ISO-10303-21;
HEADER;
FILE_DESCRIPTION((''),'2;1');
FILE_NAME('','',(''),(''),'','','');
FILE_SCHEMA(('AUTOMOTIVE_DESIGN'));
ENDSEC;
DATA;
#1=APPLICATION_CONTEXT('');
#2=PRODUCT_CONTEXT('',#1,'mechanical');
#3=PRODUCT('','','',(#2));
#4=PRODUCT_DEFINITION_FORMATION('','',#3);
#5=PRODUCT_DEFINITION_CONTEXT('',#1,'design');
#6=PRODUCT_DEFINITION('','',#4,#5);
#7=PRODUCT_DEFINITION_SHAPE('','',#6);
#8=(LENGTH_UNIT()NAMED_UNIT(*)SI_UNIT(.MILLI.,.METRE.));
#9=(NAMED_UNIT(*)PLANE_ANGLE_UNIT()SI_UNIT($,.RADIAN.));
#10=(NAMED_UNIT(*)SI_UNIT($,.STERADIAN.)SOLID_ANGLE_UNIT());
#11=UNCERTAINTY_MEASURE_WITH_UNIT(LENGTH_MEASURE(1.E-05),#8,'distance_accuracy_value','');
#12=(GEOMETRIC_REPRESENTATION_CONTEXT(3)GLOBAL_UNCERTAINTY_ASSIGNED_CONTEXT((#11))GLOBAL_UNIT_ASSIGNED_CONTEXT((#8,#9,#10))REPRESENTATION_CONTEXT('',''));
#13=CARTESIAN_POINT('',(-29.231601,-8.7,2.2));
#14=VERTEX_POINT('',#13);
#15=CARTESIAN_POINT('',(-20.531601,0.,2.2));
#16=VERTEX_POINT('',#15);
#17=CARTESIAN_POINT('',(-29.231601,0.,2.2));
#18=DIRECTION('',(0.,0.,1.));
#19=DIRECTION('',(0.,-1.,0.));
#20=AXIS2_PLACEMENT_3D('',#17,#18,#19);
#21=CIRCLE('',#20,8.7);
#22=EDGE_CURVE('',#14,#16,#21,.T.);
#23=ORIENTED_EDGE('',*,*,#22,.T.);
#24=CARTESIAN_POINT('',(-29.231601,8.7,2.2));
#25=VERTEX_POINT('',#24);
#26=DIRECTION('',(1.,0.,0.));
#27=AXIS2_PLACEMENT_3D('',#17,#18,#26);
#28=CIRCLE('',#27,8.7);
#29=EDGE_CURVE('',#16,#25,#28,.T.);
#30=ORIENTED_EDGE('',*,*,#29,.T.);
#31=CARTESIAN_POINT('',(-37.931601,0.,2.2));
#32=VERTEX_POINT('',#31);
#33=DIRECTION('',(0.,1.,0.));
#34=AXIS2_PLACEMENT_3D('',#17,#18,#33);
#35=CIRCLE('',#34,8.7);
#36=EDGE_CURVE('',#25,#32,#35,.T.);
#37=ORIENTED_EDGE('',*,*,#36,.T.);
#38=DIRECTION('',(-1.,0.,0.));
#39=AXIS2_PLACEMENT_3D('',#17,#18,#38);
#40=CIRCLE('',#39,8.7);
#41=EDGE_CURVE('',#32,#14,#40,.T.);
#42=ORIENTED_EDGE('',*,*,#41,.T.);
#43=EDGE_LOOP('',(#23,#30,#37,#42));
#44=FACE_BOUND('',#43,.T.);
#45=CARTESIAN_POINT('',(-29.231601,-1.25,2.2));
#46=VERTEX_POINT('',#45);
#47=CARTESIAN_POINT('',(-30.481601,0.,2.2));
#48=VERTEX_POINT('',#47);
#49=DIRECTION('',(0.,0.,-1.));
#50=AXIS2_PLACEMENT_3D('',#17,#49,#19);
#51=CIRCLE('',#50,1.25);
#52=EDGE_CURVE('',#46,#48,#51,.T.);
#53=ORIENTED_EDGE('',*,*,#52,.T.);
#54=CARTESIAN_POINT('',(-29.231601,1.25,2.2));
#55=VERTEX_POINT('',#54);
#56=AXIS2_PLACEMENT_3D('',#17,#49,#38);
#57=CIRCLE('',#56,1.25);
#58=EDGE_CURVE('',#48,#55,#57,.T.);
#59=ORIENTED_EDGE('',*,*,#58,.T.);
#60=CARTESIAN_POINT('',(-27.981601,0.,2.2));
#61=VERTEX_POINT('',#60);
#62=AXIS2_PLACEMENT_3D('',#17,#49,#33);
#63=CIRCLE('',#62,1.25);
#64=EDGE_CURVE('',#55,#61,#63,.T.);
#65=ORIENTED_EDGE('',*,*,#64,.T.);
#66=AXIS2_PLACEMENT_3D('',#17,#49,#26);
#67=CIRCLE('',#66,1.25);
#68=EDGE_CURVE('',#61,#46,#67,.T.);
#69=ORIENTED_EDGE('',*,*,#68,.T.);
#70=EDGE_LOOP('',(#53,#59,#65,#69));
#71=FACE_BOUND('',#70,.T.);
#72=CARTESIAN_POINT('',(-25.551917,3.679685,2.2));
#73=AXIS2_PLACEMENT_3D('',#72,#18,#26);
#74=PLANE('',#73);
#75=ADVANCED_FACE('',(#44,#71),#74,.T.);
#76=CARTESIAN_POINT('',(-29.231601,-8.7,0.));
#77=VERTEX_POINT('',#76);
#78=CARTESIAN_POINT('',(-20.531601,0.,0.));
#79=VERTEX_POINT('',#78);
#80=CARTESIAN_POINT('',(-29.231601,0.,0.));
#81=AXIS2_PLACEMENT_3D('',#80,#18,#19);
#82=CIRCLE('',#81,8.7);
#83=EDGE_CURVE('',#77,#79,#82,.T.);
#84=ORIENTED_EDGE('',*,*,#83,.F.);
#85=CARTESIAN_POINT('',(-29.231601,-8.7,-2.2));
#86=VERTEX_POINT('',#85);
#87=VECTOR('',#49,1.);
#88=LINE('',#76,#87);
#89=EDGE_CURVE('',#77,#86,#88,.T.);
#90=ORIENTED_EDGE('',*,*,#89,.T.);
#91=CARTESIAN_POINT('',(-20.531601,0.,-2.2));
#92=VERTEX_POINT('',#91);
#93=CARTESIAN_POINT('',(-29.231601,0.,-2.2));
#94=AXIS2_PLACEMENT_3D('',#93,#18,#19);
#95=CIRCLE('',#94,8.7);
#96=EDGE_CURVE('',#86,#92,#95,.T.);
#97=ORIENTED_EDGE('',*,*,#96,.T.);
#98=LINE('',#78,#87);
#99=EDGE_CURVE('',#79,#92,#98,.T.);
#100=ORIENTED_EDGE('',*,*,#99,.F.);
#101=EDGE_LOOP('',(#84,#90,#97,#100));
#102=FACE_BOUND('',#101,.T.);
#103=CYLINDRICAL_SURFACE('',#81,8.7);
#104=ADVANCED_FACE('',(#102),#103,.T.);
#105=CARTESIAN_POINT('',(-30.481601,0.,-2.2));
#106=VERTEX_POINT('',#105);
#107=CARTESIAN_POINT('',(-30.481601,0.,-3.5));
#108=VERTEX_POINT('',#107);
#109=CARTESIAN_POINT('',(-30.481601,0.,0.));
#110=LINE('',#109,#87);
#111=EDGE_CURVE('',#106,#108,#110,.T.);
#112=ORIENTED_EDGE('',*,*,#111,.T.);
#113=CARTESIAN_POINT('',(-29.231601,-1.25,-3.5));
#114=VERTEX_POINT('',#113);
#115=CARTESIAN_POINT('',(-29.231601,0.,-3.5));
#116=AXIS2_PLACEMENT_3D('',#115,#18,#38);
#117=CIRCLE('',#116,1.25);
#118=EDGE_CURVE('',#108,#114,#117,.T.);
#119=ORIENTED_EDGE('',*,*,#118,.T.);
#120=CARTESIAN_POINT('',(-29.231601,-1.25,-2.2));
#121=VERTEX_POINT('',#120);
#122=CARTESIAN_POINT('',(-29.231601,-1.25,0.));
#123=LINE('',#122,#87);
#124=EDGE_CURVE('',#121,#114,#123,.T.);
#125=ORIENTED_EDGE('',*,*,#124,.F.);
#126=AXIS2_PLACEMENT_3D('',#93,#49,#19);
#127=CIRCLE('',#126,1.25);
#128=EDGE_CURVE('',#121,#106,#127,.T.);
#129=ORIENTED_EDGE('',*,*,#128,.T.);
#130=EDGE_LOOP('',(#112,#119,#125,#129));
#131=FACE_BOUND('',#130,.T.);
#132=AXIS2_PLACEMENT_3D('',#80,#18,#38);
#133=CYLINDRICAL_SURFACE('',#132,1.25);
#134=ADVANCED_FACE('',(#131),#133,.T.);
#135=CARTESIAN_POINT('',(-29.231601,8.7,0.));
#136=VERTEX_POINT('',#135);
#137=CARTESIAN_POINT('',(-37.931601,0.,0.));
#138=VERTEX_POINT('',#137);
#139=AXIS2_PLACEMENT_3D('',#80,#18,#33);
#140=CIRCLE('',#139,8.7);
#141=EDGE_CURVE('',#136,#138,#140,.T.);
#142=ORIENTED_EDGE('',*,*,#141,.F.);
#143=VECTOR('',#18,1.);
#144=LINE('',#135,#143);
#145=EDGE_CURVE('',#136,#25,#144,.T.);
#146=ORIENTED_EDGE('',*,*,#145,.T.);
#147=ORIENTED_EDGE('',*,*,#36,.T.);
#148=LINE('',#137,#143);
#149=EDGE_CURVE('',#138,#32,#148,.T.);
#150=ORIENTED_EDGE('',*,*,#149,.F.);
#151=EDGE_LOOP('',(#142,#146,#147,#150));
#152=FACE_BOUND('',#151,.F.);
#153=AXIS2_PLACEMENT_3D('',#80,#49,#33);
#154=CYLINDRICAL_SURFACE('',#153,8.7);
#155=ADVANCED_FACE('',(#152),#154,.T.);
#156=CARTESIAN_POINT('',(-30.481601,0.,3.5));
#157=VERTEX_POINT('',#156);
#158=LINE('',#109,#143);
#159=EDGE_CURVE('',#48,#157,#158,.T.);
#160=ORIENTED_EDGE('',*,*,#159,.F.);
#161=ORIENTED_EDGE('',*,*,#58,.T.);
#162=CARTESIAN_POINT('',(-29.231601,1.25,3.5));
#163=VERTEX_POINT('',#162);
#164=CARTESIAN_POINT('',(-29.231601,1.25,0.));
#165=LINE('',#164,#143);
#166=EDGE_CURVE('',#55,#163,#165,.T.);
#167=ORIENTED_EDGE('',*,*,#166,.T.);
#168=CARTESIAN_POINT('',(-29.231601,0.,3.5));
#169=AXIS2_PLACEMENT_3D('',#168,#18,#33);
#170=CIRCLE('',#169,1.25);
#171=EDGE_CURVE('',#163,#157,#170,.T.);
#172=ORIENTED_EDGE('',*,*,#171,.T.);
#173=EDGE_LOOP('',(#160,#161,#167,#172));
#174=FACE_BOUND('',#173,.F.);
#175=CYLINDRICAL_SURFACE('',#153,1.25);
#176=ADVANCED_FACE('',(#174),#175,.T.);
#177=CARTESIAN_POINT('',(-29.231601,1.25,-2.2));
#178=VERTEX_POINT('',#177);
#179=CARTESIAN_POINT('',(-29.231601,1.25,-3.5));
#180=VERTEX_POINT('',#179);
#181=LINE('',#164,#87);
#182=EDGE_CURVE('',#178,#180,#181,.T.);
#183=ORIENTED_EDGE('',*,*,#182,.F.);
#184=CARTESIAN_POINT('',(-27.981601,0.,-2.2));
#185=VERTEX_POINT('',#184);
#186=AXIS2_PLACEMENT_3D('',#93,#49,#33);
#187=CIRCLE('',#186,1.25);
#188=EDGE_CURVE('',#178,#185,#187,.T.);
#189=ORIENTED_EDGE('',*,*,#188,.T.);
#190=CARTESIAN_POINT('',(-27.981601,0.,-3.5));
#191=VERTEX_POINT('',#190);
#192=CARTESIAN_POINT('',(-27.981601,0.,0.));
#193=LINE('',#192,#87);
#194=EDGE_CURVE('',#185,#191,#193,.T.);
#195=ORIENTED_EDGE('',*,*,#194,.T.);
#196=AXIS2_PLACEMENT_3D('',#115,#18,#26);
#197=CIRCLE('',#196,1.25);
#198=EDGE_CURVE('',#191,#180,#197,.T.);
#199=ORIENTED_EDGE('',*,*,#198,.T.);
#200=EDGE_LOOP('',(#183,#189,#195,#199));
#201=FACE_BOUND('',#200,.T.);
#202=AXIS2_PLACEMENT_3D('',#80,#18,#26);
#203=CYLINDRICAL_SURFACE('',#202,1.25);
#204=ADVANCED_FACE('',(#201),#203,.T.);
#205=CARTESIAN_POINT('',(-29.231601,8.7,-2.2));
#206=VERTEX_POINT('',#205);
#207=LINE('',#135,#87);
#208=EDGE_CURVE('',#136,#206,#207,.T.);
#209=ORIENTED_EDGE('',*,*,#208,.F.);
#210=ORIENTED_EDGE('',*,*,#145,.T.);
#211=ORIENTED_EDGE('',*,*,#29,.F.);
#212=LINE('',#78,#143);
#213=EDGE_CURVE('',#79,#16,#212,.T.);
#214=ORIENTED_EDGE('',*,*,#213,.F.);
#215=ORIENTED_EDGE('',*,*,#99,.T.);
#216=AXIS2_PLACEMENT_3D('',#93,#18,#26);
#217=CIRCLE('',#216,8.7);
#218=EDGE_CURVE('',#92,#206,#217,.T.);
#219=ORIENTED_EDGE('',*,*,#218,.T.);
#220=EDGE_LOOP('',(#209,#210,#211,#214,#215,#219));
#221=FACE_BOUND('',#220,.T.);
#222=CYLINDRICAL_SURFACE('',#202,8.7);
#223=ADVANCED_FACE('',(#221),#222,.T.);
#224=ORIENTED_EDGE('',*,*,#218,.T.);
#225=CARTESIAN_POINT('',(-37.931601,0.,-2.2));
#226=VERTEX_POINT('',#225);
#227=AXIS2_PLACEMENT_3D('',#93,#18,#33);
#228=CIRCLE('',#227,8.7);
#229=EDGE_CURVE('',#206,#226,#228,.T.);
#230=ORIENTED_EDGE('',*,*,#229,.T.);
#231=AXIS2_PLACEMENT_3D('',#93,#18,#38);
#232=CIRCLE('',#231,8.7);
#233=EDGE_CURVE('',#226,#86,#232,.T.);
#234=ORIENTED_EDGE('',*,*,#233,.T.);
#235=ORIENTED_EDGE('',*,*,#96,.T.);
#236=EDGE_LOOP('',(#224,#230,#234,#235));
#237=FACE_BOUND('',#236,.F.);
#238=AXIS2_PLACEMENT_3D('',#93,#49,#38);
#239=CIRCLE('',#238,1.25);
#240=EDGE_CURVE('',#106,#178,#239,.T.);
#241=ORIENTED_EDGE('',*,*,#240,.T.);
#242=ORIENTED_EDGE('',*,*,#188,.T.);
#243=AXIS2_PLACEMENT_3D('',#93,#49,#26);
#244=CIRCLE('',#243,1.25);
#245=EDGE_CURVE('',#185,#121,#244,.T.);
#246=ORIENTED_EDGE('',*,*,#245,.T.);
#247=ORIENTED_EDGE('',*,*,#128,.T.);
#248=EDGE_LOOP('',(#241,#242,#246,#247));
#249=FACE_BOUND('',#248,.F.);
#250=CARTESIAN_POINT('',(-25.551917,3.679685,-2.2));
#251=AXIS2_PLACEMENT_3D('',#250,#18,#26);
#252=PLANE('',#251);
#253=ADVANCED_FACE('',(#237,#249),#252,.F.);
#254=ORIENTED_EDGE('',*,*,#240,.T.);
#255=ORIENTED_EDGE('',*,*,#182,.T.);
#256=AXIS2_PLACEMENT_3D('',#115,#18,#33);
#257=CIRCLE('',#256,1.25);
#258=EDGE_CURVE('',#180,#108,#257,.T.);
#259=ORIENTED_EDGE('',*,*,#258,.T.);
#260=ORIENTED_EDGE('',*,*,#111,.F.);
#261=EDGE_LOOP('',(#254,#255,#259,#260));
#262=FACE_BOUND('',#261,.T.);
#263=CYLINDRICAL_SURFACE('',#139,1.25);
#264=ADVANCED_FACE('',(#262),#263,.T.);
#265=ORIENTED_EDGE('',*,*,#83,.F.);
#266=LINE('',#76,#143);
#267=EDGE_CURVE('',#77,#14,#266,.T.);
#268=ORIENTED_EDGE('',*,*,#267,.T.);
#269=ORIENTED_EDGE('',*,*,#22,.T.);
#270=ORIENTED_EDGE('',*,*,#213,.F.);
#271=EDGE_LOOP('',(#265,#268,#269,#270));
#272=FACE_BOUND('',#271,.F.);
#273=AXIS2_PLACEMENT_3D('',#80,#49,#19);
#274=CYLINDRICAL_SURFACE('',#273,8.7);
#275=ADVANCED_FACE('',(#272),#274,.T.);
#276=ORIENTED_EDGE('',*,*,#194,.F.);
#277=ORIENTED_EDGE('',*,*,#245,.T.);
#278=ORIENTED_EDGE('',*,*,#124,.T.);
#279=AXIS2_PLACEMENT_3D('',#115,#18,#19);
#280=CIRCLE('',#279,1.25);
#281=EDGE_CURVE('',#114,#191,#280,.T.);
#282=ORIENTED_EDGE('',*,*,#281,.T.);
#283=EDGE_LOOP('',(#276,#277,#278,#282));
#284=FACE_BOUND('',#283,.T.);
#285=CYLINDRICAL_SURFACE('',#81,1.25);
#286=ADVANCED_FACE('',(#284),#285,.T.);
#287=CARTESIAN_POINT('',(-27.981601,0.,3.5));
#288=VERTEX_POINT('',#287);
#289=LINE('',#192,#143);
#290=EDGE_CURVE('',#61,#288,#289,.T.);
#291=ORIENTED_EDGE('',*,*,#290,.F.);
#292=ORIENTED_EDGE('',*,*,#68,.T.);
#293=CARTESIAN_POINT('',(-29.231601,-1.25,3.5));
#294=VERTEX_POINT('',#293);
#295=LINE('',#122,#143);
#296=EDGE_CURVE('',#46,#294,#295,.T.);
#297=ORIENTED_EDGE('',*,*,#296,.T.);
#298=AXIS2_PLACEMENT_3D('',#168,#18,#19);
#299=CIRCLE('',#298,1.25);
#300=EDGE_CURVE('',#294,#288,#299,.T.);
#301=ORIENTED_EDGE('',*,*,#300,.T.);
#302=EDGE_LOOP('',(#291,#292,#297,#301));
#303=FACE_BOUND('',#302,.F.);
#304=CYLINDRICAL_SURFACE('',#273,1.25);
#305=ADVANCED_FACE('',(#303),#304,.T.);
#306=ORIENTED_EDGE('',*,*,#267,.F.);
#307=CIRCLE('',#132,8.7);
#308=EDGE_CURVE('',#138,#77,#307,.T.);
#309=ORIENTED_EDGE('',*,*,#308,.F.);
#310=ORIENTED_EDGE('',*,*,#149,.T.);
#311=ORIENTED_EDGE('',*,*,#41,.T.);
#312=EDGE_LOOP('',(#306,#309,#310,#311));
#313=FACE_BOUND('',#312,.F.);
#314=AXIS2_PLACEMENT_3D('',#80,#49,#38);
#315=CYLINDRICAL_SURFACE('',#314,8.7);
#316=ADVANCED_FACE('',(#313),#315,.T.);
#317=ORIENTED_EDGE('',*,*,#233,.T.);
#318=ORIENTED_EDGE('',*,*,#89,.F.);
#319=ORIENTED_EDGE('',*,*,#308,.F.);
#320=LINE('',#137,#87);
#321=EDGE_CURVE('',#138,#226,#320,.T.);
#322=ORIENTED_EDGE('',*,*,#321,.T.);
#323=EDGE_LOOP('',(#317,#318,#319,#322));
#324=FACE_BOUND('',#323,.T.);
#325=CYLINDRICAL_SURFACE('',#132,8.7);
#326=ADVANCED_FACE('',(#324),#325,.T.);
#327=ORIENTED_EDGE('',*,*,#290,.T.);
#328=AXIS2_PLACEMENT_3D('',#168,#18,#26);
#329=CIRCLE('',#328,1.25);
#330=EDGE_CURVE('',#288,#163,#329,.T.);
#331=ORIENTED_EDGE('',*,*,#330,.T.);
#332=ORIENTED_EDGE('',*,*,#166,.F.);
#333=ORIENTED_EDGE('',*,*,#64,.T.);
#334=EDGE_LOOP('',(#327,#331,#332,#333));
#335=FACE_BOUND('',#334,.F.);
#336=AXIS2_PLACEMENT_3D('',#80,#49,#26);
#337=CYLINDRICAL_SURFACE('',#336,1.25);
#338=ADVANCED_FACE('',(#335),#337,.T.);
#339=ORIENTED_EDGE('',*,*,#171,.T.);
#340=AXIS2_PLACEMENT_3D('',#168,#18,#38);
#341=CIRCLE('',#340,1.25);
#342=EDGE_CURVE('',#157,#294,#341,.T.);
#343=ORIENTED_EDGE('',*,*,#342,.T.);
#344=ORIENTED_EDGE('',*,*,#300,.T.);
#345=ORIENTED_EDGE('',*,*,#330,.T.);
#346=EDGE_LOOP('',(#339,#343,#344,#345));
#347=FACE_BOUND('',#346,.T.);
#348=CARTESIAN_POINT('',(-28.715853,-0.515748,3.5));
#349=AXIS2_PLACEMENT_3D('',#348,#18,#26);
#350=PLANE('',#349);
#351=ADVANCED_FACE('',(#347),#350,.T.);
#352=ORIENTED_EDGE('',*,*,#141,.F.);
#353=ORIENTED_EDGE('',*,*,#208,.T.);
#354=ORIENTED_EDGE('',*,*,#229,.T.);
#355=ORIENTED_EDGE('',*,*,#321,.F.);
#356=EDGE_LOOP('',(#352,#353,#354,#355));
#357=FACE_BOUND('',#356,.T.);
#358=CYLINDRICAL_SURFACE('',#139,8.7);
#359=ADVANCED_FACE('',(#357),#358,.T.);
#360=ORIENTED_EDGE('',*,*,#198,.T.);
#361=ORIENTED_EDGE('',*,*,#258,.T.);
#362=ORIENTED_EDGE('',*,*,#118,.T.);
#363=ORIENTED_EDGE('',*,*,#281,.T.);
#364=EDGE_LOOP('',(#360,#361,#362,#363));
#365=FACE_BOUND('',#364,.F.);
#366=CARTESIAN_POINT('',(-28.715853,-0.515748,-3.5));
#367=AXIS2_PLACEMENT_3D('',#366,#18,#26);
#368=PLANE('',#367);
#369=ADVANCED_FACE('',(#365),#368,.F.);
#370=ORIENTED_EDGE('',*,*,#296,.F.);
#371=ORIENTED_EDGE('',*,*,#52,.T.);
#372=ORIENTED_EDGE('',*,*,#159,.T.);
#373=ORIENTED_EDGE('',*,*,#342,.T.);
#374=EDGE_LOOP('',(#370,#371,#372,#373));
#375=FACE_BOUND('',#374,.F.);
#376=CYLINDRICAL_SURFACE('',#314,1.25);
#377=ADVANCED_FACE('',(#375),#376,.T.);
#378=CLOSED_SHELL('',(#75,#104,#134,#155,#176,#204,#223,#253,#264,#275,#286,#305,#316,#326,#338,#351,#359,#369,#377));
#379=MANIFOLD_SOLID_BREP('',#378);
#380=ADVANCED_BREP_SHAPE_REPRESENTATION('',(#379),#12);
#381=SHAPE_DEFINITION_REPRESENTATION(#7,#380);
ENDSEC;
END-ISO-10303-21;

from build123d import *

# Parameters (mm, degrees)
F1_DEPTH = 2.2
F2_DEPTH = 3.5


with BuildPart() as f1:
    # F0 (on Top) → F1 (new body, symmetric)
    with BuildSketch(Plane.XY):
        with BuildLine():
            Line((-27.9816011338, 0), (-20.5316011338, 0))
            ThreePointArc((-20.5316011338, 0), (-23.0797721375, 6.1518289963), (-29.2316011338, 8.7))
            Line((-29.2316011338, 8.7), (-29.2316011338, 1.25))
            ThreePointArc((-29.2316011338, 1.25), (-28.3477176573, 0.8838834765), (-27.9816011338, 0))
        make_face()
        with BuildLine():
            Line((-29.2316011338, 1.25), (-29.2316011338, 8.7))
            ThreePointArc((-29.2316011338, 8.7), (-35.3834301302, 6.1518289963), (-37.9316011338, 0))
            Line((-37.9316011338, 0), (-30.4816011338, 0))
            ThreePointArc((-30.4816011338, 0), (-30.1154846103, 0.8838834765), (-29.2316011338, 1.25))
        make_face()
        with BuildLine():
            ThreePointArc((-37.9316011338, 0), (-35.3834301302, -6.1518289963), (-29.2316011338, -8.7))
            Line((-29.2316011338, -8.7), (-29.2316011338, -1.25))
            ThreePointArc((-29.2316011338, -1.25), (-30.1154846103, -0.8838834765), (-30.4816011338, 0))
            Line((-30.4816011338, 0), (-37.9316011338, 0))
        make_face()
        with BuildLine():
            ThreePointArc((-29.2316011338, -8.7), (-23.0797721375, -6.1518289963), (-20.5316011338, 0))
            Line((-20.5316011338, 0), (-27.9816011338, 0))
            ThreePointArc((-27.9816011338, 0), (-28.3477176573, -0.8838834765), (-29.2316011338, -1.25))
            Line((-29.2316011338, -1.25), (-29.2316011338, -8.7))
        make_face()
    extrude(amount=F1_DEPTH, both=True)

    # F0 (on Top) → F2 (join, symmetric)
    with BuildSketch(Plane.XY):
        with BuildLine():
            ThreePointArc((-29.2316011338, -1.25), (-28.3477176573, -0.8838834765), (-27.9816011338, 0))
            Line((-27.9816011338, 0), (-29.2316011338, 0))
            Line((-29.2316011338, 0), (-29.2316011338, -1.25))
        make_face()
        with BuildLine():
            Line((-29.2316011338, 0), (-27.9816011338, 0))
            ThreePointArc((-27.9816011338, 0), (-28.3477176573, 0.8838834765), (-29.2316011338, 1.25))
            Line((-29.2316011338, 1.25), (-29.2316011338, 0))
        make_face()
        with BuildLine():
            Line((-29.2316011338, 0), (-29.2316011338, 1.25))
            ThreePointArc((-29.2316011338, 1.25), (-30.1154846103, 0.8838834765), (-30.4816011338, 0))
            Line((-30.4816011338, 0), (-29.2316011338, 0))
        make_face()
        with BuildLine():
            ThreePointArc((-30.4816011338, 0), (-30.1154846103, -0.8838834765), (-29.2316011338, -1.25))
            Line((-29.2316011338, -1.25), (-29.2316011338, 0))
            Line((-29.2316011338, 0), (-30.4816011338, 0))
        make_face()
    extrude(amount=F2_DEPTH, both=True)


solid = f1.part
